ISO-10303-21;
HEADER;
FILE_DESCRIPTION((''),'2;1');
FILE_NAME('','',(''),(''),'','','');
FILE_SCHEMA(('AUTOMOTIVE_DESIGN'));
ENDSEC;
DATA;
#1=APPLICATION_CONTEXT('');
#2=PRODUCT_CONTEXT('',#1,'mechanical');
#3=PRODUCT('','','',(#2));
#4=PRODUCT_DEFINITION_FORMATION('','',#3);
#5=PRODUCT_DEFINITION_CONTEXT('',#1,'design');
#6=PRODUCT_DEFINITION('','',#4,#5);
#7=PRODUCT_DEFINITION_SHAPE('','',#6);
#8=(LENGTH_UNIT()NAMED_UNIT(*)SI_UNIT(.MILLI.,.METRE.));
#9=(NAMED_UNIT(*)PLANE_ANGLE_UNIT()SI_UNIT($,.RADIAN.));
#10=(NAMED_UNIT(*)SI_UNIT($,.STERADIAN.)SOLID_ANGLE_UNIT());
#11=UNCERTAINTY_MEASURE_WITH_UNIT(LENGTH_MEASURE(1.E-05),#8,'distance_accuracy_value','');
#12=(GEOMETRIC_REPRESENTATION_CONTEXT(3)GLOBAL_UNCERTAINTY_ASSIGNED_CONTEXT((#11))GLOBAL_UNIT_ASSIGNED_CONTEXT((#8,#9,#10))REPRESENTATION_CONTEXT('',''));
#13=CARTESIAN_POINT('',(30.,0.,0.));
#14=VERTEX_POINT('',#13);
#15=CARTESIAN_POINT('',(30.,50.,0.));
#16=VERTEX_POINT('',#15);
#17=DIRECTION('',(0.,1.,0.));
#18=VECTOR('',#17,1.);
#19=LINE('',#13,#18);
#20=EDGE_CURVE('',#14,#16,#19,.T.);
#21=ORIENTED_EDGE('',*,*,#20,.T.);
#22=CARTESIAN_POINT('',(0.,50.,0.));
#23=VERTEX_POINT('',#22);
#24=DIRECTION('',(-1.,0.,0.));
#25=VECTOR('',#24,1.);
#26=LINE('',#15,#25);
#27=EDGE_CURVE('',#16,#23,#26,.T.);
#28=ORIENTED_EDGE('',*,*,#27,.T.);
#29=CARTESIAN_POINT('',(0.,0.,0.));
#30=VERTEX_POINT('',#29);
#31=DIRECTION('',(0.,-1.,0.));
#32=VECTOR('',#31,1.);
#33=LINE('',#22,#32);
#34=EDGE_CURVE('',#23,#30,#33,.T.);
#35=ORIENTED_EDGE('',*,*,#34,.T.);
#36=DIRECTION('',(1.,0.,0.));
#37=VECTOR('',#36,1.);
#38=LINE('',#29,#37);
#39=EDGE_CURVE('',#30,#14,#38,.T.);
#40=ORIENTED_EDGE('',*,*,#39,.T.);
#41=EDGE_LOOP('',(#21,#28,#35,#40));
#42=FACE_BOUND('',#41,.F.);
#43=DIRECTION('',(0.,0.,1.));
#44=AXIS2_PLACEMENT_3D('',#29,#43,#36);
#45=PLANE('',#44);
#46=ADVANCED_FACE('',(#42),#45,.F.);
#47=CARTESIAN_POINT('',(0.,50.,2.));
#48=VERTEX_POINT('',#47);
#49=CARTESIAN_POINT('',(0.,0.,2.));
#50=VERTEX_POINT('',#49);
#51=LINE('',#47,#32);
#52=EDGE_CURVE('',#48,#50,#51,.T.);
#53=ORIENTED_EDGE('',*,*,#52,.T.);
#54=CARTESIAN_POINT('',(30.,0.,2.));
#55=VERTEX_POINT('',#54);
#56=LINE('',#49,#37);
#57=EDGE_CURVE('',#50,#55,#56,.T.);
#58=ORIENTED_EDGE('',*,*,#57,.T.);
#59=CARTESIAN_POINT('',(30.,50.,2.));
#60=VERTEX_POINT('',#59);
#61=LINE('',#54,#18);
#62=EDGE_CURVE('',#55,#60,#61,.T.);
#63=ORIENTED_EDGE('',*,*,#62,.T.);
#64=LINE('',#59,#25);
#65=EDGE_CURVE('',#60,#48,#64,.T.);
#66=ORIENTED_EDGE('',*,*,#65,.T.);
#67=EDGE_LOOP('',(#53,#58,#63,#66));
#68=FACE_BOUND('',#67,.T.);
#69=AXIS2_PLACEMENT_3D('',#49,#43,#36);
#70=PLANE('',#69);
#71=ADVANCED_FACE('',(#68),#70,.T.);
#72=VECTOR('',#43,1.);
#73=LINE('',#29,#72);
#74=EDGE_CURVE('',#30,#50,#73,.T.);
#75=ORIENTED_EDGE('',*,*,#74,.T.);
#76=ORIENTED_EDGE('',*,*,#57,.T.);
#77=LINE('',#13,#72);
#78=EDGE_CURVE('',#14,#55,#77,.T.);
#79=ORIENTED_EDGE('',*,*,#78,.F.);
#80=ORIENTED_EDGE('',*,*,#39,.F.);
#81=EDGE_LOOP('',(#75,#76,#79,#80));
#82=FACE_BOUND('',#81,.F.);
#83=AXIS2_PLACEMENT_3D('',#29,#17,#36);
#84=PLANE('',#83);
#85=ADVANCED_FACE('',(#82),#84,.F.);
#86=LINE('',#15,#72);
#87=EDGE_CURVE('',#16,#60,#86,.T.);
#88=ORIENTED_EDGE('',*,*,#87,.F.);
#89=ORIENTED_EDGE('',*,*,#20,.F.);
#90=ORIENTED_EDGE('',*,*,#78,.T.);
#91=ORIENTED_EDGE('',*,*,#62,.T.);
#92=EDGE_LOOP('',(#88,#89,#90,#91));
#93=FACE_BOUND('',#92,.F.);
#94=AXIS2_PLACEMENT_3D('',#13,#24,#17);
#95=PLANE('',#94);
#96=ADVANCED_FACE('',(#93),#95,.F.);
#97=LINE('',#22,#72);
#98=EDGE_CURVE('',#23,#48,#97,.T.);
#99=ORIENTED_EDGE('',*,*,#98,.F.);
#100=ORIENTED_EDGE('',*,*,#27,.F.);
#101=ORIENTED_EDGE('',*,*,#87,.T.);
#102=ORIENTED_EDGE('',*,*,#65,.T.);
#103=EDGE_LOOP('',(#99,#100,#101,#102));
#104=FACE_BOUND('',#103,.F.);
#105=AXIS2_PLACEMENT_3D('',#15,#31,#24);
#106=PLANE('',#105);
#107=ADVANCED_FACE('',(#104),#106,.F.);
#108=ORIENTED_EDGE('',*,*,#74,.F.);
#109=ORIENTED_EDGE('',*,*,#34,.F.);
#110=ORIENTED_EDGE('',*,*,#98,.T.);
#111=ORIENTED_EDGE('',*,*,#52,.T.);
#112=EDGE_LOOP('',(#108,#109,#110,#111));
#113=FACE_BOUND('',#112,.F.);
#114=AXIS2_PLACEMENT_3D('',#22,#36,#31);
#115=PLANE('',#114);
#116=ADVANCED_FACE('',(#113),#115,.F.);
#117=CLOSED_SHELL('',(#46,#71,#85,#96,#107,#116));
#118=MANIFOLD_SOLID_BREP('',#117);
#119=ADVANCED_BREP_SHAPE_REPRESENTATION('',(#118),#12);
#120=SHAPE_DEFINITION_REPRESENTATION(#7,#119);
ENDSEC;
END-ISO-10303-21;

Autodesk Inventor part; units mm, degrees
ref_plane "YZ Plane" through (0, 0, 0) normal (1, 0, 0) x (0, 1, 0)
ref_plane "XZ Plane" through (0, 0, 0) normal (0, 1, 0) x (-1, 0, 0)
ref_plane "XY Plane" through (0, 0, 0) normal (0, 0, 1) x (1, 0, 0)
sketch "Sketch1" plane through (0, 0, 0) normal (0, 0, 1) x (1, 0, 0)
  line L0 (0, 0) -> (30, 0)
  line L1 (30, 0) -> (30, 50)
  line L2 (30, 50) -> (0, 50)
  line L3 (0, 50) -> (0, 0)
  dimension "d0" = 30
  dimension "d1" = 50
extrude "Extrusion1" add sketch "Sketch1" along normal blind 2
properties part number "motor box"
